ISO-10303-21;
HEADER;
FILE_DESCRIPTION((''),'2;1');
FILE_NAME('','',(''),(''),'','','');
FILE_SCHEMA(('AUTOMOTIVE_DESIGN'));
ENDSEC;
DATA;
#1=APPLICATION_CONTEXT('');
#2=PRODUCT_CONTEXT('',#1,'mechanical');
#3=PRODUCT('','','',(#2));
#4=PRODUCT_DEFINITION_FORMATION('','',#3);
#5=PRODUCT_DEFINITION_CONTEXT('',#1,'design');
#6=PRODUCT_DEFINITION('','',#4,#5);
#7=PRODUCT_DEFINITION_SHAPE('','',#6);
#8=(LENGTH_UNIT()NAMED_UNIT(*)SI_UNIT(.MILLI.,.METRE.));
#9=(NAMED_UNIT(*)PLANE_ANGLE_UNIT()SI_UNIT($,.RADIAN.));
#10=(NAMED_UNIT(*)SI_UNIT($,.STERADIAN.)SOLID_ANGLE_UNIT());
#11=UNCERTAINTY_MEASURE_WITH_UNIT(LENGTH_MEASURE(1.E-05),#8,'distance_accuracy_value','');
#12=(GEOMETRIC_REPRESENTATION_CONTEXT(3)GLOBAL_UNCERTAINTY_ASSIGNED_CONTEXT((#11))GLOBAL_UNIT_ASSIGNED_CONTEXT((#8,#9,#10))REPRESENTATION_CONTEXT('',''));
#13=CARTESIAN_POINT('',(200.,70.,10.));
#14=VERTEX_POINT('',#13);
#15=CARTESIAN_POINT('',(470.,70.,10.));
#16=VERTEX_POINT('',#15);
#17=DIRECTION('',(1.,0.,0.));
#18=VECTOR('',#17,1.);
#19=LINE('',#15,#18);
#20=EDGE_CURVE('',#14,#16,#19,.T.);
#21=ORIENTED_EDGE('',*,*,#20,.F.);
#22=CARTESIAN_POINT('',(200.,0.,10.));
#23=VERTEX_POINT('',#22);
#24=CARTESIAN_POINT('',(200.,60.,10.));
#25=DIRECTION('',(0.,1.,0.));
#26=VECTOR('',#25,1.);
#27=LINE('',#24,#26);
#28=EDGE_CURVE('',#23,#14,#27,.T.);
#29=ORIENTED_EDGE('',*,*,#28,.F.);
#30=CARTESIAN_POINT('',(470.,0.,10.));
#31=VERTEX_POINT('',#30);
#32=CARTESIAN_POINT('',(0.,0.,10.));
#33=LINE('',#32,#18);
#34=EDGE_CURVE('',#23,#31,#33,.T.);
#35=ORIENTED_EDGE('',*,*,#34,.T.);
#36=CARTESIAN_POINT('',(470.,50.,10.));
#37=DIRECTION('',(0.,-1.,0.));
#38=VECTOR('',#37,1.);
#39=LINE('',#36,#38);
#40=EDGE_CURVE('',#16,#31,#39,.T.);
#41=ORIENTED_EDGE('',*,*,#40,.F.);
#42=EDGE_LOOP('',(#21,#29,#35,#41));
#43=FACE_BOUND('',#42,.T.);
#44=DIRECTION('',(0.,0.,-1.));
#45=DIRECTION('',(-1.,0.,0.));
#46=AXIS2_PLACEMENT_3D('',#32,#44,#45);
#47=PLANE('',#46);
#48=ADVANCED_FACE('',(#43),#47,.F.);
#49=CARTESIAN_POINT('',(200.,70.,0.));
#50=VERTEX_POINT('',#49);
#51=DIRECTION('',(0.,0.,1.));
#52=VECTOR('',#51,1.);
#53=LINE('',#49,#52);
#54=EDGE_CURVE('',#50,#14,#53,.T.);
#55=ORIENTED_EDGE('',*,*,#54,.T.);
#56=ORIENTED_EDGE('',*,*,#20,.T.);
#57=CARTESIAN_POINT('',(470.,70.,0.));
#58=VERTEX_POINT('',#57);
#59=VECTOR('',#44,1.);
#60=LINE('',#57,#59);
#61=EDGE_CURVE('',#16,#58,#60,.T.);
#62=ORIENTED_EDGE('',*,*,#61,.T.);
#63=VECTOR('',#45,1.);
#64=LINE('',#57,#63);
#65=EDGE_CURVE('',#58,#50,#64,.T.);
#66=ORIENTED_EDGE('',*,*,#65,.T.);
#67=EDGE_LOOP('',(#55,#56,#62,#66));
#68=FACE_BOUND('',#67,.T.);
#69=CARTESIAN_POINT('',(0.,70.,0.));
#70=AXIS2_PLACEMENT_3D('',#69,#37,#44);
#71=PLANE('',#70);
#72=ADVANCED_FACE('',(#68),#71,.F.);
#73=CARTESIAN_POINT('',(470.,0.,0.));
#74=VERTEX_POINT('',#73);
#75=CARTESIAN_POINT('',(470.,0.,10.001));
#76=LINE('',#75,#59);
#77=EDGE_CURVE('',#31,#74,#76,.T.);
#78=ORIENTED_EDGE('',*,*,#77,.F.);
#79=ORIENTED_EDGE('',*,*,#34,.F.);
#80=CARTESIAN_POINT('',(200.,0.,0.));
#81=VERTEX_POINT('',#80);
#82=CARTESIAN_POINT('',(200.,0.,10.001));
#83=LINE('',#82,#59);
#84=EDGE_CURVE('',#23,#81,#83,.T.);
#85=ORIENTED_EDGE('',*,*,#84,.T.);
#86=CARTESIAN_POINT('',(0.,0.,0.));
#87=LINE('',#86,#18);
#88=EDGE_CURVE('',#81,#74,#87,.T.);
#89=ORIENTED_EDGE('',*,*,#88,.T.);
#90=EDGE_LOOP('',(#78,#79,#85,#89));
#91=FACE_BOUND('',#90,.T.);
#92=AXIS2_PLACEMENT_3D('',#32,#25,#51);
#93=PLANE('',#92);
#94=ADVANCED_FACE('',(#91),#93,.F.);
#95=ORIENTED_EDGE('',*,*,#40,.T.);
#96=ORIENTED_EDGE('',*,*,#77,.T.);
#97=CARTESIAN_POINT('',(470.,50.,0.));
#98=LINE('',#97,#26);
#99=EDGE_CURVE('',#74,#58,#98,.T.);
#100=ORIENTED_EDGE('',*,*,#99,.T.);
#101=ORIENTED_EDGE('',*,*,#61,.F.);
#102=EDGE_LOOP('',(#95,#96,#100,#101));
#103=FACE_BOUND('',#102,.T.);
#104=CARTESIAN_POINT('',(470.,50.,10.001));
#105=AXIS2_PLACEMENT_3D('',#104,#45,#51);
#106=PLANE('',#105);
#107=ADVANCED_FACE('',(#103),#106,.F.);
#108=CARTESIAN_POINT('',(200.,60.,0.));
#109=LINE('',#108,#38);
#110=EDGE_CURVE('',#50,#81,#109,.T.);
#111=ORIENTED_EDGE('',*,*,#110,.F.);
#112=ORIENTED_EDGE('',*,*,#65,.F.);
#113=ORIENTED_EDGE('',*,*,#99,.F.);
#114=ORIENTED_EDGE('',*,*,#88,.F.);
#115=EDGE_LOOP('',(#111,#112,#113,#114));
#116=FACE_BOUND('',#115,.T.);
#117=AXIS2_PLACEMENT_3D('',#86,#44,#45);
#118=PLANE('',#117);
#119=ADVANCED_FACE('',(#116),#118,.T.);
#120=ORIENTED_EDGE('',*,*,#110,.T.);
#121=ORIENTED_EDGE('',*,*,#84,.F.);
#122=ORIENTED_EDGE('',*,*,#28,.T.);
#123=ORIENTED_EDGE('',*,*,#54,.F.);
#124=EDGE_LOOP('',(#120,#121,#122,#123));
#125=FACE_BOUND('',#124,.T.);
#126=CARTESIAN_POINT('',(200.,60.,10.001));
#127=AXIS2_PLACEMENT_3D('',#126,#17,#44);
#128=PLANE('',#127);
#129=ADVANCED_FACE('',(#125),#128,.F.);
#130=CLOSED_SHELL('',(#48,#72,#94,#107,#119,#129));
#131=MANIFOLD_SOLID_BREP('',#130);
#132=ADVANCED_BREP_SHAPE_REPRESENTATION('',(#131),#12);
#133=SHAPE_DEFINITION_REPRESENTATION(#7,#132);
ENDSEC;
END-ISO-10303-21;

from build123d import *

# Parameters (mm, degrees)
SKETCH2_W           = 500
SKETCH2_H           = 50
BOSS_EXTRUDE1_DEPTH = 10
CUT_EXTRUDE1_REACH  = 12
SKETCH3_W           = 200
SKETCH3_H           = 60
SKETCH3_W_2         = 30
SKETCH3_H_2         = 50
SKETCH4_W           = 270
SKETCH4_H           = 10
BOSS_EXTRUDE2_DEPTH = 20


with BuildPart() as part:
    # Sketch2 → Boss-Extrude1 (new body)
    with BuildSketch(Plane.XY):
        with Locations((250, 25)):
            Rectangle(SKETCH2_W, SKETCH2_H)
    extrude(amount=BOSS_EXTRUDE1_DEPTH)

    # Sketch3 → Cut-Extrude1 (cut, up to next)
    with BuildSketch(Plane(origin=(0, 0, 0), x_dir=(-1, 0, 0), z_dir=(0, 0, -1)), mode=Mode.PRIVATE) as cut_extrude1_sk1:
        with Locations((-100, 30)):
            Rectangle(SKETCH3_W, SKETCH3_H)
    cut_extrude1_tool1 = extrude(cut_extrude1_sk1.sketch, amount=-CUT_EXTRUDE1_REACH, mode=Mode.PRIVATE) & part.part
    add(cut_extrude1_tool1.solids().sort_by_distance((100, 30, 0))[0], mode=Mode.SUBTRACT)
    # Sketch3 → Cut-Extrude1 (cut, up to next)
    with BuildSketch(Plane(origin=(0, 0, 0), x_dir=(-1, 0, 0), z_dir=(0, 0, -1)), mode=Mode.PRIVATE) as cut_extrude1_sk2:
        with Locations((-485, 25)):
            Rectangle(SKETCH3_W_2, SKETCH3_H_2)
    cut_extrude1_tool2 = extrude(cut_extrude1_sk2.sketch, amount=-CUT_EXTRUDE1_REACH, mode=Mode.PRIVATE) & part.part
    add(cut_extrude1_tool2.solids().sort_by_distance((485, 25, 0))[0], mode=Mode.SUBTRACT)

    # Sketch4 → Boss-Extrude2 (add)
    with BuildSketch(Plane(origin=(0, 50, 0), x_dir=(1, 0, 0), z_dir=(0, 1, 0))):
        with Locations((335, -5)):
            Rectangle(SKETCH4_W, SKETCH4_H)
    extrude(amount=BOSS_EXTRUDE2_DEPTH)


solid = part.part
